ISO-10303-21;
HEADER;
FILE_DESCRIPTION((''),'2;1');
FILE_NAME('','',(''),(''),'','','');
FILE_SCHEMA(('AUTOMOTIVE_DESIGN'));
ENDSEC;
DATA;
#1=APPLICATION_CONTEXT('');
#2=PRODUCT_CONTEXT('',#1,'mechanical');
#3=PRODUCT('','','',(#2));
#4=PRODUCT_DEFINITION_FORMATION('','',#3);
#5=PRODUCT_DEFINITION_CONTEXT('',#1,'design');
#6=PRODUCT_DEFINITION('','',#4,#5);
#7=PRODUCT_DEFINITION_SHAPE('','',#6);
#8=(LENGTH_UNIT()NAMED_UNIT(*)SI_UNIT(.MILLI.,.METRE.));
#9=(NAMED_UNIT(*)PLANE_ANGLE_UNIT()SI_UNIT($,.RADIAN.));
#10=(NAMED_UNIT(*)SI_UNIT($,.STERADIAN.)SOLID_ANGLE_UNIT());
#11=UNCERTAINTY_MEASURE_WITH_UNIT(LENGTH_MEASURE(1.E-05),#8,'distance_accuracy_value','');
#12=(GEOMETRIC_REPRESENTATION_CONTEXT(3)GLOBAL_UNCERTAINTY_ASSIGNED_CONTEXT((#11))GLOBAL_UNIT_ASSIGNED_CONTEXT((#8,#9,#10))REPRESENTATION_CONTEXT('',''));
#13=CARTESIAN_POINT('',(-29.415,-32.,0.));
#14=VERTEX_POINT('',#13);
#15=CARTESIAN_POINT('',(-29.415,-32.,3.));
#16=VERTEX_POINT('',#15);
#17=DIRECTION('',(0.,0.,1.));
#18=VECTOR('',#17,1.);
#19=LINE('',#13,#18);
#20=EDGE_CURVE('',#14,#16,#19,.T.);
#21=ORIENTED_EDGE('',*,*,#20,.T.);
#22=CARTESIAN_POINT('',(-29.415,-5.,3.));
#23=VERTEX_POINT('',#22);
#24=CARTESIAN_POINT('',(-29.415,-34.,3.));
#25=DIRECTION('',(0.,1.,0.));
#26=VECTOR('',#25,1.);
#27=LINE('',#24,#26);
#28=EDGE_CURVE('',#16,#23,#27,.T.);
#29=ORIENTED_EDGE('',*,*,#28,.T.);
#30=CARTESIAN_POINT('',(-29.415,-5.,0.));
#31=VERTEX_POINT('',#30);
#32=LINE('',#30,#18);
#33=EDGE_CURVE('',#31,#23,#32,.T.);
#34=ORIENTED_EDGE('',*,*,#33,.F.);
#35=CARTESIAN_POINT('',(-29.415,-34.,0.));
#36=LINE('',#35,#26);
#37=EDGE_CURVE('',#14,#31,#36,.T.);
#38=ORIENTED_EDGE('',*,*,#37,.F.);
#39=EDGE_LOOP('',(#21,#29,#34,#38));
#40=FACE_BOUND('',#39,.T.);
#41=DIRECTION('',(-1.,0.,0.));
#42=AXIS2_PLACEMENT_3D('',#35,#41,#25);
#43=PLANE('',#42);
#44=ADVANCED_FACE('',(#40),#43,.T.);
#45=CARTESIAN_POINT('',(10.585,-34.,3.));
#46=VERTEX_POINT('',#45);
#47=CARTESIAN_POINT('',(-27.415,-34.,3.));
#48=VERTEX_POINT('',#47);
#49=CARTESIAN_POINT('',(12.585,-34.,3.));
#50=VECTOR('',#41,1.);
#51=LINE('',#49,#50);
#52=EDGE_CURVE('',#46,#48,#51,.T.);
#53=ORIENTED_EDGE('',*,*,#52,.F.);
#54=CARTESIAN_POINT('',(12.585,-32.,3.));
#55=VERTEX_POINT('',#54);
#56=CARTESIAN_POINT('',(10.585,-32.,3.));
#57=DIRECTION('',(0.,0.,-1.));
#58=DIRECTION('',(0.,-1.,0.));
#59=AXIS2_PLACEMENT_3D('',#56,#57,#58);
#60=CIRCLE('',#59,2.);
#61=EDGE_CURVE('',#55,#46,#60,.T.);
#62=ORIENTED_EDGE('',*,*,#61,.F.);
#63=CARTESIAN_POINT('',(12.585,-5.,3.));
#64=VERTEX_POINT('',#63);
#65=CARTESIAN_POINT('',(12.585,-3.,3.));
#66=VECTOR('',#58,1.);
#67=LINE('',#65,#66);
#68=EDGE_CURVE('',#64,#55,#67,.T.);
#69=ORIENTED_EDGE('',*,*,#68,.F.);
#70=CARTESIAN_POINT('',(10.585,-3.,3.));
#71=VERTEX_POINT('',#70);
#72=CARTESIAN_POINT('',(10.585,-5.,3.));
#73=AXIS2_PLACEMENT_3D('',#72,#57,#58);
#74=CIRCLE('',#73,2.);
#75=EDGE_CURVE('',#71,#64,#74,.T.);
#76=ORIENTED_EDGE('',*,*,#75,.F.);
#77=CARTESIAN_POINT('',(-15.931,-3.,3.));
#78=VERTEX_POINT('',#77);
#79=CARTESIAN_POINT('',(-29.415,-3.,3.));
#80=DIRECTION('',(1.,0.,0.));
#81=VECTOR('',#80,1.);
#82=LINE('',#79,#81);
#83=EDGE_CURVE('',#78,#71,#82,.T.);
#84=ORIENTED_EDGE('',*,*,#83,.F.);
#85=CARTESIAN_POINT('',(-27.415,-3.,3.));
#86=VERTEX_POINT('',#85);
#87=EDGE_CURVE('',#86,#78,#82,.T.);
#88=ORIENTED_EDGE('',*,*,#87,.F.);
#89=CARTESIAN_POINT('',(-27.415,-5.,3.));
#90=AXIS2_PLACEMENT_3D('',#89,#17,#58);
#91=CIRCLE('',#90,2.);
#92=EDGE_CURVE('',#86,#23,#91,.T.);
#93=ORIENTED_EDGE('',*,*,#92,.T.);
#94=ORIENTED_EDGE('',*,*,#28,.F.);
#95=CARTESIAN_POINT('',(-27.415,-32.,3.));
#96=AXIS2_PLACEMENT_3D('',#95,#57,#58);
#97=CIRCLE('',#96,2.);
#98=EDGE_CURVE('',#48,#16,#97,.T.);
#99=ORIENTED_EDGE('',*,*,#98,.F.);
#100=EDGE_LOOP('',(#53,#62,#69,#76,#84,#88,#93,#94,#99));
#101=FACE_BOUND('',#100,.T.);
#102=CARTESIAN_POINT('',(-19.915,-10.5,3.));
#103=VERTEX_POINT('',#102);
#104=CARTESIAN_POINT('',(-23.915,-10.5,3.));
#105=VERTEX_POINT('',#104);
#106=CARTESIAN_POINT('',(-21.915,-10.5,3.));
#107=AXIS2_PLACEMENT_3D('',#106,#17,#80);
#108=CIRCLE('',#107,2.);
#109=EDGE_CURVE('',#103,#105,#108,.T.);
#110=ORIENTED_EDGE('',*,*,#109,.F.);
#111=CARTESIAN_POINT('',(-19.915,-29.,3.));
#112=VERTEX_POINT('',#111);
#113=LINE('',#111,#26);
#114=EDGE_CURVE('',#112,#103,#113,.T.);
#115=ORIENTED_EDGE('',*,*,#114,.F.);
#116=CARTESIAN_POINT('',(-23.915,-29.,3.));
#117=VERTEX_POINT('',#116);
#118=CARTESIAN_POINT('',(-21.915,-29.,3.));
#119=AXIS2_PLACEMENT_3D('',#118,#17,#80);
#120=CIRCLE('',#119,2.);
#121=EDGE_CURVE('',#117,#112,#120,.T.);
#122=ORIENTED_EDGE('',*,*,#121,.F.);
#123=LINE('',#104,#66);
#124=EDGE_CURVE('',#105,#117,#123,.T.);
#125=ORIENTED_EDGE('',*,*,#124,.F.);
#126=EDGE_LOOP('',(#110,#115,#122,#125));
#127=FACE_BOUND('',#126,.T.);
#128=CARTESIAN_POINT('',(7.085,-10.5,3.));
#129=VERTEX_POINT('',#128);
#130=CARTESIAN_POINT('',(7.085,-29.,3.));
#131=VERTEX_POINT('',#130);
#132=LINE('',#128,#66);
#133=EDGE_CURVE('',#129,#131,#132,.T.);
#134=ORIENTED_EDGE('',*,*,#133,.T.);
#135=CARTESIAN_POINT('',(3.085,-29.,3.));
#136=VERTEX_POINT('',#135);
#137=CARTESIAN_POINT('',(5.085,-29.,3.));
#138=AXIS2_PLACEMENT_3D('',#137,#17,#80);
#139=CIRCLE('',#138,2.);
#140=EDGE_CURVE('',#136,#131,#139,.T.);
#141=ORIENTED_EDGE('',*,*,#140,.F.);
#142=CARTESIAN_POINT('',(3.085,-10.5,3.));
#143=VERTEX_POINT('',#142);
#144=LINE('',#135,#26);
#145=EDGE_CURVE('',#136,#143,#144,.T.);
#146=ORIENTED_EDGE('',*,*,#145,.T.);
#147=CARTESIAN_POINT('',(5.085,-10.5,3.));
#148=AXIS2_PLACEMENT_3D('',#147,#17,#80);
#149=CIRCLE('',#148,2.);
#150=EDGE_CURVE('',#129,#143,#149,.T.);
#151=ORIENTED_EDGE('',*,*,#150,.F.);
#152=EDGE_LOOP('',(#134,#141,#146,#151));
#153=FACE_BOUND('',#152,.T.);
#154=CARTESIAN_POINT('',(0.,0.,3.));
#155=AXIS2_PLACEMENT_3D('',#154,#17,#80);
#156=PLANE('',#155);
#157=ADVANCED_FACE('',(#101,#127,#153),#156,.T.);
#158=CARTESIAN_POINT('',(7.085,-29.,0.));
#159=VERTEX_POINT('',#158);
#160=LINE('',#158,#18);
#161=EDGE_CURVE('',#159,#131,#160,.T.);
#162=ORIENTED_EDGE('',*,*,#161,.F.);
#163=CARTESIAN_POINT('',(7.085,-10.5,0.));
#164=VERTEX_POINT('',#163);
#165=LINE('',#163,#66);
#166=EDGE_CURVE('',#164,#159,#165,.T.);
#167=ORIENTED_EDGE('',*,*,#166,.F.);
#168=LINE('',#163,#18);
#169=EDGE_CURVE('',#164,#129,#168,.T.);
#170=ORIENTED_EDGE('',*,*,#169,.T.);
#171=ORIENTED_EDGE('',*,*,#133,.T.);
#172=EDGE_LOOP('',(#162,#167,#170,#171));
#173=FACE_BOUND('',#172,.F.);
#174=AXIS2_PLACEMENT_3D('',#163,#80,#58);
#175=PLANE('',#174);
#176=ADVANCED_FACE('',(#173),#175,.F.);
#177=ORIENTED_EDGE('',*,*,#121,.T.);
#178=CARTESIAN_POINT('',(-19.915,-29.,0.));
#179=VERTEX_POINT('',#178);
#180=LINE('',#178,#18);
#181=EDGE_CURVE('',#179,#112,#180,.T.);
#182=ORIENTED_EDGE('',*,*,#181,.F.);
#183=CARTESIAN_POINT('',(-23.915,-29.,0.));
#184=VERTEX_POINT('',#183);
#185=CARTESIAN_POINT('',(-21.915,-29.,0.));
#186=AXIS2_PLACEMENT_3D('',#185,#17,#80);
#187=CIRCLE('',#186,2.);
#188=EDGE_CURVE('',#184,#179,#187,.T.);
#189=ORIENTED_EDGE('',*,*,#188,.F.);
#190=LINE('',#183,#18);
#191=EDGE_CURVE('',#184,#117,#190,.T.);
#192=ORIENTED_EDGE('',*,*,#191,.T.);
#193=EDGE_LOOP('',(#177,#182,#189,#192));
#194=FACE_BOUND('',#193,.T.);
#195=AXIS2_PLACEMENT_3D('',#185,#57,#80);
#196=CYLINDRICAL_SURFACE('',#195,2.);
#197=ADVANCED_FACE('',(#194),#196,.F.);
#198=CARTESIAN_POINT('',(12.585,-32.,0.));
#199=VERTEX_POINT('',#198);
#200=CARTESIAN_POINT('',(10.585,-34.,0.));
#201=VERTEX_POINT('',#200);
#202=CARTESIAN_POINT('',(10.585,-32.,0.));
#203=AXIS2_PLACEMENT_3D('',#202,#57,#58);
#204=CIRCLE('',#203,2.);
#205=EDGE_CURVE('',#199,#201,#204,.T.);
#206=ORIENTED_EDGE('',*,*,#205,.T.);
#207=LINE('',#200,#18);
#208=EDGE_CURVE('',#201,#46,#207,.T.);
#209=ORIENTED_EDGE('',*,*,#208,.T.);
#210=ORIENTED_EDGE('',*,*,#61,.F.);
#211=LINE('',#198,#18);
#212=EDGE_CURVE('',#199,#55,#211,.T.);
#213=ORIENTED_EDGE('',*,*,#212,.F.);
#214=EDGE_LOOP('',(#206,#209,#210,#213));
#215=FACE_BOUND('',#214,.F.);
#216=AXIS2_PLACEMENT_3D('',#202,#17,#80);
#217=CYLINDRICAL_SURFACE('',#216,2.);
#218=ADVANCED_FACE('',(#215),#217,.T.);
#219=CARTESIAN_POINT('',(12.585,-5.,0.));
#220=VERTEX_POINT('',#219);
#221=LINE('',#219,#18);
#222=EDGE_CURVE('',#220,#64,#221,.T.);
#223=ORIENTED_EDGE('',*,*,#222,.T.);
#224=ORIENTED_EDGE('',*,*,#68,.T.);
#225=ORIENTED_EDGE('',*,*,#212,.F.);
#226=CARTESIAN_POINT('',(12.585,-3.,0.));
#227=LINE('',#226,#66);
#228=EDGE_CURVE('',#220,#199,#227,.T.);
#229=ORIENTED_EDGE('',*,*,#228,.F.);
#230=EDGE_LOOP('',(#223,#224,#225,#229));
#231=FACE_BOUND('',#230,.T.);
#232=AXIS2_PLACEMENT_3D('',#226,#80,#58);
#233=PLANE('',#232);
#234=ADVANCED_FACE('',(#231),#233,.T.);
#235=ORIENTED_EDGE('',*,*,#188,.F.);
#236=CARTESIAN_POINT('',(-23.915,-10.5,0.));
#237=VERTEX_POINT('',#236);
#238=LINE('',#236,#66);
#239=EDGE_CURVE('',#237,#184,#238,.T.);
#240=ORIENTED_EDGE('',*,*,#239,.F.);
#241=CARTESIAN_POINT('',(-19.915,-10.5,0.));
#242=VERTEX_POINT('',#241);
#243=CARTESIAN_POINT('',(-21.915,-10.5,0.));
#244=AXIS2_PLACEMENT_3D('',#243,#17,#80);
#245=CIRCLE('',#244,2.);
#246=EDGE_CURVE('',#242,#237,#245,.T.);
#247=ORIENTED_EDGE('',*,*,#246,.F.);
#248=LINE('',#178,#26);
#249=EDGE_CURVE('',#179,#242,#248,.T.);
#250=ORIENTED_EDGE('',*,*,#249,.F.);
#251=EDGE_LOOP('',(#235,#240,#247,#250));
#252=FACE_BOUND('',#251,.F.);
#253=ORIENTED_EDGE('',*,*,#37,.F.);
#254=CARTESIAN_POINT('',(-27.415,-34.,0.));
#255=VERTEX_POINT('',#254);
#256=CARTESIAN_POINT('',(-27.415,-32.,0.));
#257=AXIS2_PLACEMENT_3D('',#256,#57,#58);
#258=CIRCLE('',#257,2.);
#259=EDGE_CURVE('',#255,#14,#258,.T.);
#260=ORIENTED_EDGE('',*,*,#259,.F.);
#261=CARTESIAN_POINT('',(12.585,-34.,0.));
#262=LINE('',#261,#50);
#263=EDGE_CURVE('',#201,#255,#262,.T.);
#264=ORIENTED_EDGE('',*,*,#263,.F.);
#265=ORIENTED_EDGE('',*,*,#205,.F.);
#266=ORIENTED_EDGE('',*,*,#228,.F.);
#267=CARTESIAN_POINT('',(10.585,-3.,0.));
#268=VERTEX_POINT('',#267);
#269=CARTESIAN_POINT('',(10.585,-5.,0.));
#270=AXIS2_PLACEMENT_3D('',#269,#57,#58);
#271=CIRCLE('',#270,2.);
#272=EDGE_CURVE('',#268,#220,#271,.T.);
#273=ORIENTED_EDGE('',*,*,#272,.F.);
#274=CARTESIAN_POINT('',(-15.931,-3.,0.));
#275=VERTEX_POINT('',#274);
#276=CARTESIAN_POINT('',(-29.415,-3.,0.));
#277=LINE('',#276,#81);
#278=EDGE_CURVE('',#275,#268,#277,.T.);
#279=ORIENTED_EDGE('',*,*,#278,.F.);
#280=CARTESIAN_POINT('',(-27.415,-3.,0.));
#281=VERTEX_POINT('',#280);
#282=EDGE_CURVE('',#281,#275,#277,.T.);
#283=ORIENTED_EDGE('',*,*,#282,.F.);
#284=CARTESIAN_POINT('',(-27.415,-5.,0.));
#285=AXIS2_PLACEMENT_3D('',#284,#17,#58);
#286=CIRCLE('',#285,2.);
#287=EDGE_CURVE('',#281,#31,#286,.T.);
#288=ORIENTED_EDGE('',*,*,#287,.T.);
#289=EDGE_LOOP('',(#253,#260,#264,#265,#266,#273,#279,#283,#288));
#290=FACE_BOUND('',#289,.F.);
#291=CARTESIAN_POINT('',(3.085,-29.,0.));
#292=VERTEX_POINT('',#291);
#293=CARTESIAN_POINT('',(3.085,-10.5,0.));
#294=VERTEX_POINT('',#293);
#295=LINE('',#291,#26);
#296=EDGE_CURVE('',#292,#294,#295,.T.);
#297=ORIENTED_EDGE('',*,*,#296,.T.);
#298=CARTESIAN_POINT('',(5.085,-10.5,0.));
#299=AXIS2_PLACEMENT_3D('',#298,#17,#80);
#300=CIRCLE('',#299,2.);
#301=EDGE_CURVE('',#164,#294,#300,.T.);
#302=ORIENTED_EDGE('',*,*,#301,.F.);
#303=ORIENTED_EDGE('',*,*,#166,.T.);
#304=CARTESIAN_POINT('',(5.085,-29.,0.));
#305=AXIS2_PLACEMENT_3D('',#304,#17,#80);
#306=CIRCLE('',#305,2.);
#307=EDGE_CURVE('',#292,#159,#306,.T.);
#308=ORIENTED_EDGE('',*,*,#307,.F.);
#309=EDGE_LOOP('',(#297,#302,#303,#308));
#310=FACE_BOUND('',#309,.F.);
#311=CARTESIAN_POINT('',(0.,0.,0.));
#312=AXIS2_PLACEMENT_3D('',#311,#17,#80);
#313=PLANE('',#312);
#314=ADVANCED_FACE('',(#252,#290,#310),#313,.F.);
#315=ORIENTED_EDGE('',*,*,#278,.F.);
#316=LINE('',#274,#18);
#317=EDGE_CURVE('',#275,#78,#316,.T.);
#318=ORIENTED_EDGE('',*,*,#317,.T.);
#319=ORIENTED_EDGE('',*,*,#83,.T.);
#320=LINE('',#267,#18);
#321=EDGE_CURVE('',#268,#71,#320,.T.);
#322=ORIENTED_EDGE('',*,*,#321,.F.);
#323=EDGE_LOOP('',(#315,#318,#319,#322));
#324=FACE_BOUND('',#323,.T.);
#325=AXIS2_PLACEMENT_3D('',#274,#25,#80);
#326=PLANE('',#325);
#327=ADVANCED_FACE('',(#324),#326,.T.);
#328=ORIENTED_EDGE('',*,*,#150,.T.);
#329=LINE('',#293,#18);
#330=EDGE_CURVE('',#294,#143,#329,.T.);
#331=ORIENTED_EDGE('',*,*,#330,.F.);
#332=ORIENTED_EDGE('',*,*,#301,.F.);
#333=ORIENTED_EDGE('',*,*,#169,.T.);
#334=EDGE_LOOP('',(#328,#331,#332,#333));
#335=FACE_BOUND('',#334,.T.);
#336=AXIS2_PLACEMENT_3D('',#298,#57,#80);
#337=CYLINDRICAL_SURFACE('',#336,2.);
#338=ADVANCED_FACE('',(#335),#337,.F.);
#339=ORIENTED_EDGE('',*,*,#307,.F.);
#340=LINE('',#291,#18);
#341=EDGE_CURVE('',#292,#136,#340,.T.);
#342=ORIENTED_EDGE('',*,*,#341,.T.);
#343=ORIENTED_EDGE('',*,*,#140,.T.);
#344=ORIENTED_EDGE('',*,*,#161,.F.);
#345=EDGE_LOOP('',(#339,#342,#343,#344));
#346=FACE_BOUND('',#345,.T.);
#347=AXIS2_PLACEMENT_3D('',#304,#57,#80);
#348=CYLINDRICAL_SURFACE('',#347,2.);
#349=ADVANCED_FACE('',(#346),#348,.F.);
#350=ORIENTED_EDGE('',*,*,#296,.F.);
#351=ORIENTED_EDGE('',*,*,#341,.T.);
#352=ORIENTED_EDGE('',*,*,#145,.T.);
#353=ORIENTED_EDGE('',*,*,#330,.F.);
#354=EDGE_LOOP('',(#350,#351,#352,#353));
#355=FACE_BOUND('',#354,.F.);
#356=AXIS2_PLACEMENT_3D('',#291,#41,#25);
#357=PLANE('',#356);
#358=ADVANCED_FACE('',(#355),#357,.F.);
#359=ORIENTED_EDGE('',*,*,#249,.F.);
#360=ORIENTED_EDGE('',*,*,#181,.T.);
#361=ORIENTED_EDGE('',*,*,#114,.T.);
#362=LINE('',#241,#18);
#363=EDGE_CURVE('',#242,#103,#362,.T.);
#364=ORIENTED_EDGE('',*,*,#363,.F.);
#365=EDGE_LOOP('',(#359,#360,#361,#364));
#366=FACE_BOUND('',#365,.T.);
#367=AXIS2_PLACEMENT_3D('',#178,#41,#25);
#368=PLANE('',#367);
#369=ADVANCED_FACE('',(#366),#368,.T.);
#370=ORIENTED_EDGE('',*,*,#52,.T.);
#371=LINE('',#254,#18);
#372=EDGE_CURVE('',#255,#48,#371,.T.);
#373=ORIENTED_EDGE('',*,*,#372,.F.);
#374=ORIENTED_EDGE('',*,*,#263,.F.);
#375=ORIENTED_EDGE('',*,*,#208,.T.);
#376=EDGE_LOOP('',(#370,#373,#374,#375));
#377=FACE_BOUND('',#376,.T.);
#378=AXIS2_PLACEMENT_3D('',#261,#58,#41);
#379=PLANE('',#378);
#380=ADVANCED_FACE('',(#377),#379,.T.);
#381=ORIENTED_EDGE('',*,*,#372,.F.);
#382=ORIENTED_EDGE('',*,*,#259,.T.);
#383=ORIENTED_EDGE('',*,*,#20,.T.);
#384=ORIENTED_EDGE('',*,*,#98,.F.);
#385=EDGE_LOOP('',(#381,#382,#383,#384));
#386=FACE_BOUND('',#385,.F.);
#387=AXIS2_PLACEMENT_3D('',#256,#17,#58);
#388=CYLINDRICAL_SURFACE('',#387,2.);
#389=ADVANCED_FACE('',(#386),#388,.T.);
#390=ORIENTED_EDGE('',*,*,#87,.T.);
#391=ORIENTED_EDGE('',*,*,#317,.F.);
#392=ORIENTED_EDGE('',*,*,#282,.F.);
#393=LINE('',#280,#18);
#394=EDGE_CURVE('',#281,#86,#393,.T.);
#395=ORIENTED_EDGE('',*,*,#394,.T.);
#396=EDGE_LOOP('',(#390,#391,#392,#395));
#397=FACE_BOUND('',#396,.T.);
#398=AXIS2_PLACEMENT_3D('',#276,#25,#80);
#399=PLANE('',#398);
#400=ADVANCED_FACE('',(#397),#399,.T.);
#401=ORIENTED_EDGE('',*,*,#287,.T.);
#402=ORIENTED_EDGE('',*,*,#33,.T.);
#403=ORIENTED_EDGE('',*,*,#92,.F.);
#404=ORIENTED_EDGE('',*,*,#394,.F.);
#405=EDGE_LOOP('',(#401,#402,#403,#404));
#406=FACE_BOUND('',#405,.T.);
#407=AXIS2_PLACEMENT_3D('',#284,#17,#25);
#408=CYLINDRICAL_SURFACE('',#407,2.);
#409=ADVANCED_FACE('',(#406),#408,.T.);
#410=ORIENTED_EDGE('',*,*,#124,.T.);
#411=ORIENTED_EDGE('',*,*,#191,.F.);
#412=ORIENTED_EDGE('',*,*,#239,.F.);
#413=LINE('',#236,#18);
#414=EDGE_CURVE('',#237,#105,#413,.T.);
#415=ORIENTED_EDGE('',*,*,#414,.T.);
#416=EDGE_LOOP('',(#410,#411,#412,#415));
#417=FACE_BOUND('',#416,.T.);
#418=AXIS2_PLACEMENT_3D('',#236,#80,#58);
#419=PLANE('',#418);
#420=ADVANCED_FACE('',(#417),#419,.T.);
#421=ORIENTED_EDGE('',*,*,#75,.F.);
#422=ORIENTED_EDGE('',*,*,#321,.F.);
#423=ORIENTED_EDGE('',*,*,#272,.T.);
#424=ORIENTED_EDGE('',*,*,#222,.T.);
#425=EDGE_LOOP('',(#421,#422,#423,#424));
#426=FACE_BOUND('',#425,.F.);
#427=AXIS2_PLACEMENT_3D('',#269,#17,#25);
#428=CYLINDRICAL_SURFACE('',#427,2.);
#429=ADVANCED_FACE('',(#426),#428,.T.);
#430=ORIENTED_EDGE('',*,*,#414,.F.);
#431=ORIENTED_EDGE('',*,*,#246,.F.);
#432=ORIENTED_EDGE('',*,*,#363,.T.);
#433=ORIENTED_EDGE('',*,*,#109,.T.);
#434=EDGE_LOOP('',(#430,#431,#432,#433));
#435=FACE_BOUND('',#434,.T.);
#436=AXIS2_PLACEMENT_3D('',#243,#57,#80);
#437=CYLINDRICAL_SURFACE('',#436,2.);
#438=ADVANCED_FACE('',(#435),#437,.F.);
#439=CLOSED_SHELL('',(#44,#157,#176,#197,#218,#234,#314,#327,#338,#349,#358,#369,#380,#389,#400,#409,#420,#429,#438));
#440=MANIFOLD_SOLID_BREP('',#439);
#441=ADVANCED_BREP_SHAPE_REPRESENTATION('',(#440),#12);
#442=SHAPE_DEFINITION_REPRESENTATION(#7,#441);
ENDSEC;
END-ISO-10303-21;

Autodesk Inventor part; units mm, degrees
ref_plane "YZ Plane" through (0, 0, 0) normal (1, 0, 0) x (0, 1, 0)
ref_plane "XZ Plane" through (0, 0, 0) normal (0, 1, 0) x (-1, 0, 0)
ref_plane "XY Plane" through (0, 0, 0) normal (0, 0, 1) x (1, 0, 0)
sketch "Sketch1" plane through (0, 0, 0) normal (0, 0, 1) x (1, 0, 0)
  line L0 (-29.415, -3) -> (12.585, -3)
  line L1 (12.585, -3) -> (12.585, -34)
  line L2 (12.585, -34) -> (-29.415, -34)
  line L3 (-29.415, -34) -> (-29.415, -3)
  line L4 (-29.6345, -34) -> (12.8045, -34)
  line L5 (-29.415, -3) -> (-15.931, -3)
  line L6 (-8.415, -407.2393) -> (-8.415, 249.8336) construction
  line L7 (-29.415, -18) -> (-29.415, -3) construction
  circle A0 centre (-21.915, -10.5) radius 2 construction
  circle A1 centre (5.085, -10.5) radius 2 construction
  circle A2 centre (-21.915, -29) radius 2.33 construction
  circle A3 centre (5.085, -29) radius 2.33 construction
  line L8 (-21.915, -10.5) -> (5.085, -10.5) construction
  line L9 (-21.915, -29) -> (5.085, -29) construction
  circle A4 centre (-21.915, -10.5) radius 2 construction
  circle A5 centre (5.085, -10.5) radius 2 construction
  circle A6 centre (5.085, -29) radius 2
  circle A7 centre (-21.915, -29) radius 2
  line L10 (-21.915, -10.5) -> (-21.915, -29) construction
  line L11 (-23.915, -10.5) -> (-23.915, -29)
  line L12 (-19.915, -29) -> (-19.915, -10.5)
  arc A8 (-19.915, -10.5) -> (-23.915, -10.5) centre (-21.915, -10.5) ccw
  arc A9 (-23.915, -29) -> (-19.915, -29) centre (-21.915, -29) ccw
  circle A10 centre (-21.915, -10.5) radius 2 construction
  line L13 (7.085, -10.5) -> (7.085, -29)
  line L14 (3.085, -29) -> (3.085, -10.5)
  arc A11 (7.085, -10.5) -> (3.085, -10.5) centre (5.085, -10.5) ccw
  arc A12 (3.085, -29) -> (7.085, -29) centre (5.085, -29) ccw
  point P0 (0, 0)
  point P1 (-8.415, -34)
  point P2 (-21.915, -19.75)
  point P3 (7.085, -29)
extrude "Plate1" add sketch "Sketch1" along normal blind 3
fillet "Fillet1" radius 2 4 edges at (-29.415, -34, 1.5) (12.585, -34, 1.5) (-29.415, -3, 1.5) (12.585, -3, 1.5)
equation "\"d7\" = Thickness"
equation "\"BendRadius\" = Thickness"
equation "\"BendReliefWidth\" = Thickness"
equation "\"BendReliefDepth\" = 0.5 * Thickness"
equation "\"CornerReliefSize\" = 4 * Thickness"
equation "\"MinimumRemnant\" = 2 * Thickness"
equation "\"TransitionRadius\" = BendRadius"
equation "\"JacobiRadiusSize\" = BendRadius"
equation "\"GapSize\" = Thickness"
equation "\"Thickness\" = 3"
properties part number "CameraMount"
